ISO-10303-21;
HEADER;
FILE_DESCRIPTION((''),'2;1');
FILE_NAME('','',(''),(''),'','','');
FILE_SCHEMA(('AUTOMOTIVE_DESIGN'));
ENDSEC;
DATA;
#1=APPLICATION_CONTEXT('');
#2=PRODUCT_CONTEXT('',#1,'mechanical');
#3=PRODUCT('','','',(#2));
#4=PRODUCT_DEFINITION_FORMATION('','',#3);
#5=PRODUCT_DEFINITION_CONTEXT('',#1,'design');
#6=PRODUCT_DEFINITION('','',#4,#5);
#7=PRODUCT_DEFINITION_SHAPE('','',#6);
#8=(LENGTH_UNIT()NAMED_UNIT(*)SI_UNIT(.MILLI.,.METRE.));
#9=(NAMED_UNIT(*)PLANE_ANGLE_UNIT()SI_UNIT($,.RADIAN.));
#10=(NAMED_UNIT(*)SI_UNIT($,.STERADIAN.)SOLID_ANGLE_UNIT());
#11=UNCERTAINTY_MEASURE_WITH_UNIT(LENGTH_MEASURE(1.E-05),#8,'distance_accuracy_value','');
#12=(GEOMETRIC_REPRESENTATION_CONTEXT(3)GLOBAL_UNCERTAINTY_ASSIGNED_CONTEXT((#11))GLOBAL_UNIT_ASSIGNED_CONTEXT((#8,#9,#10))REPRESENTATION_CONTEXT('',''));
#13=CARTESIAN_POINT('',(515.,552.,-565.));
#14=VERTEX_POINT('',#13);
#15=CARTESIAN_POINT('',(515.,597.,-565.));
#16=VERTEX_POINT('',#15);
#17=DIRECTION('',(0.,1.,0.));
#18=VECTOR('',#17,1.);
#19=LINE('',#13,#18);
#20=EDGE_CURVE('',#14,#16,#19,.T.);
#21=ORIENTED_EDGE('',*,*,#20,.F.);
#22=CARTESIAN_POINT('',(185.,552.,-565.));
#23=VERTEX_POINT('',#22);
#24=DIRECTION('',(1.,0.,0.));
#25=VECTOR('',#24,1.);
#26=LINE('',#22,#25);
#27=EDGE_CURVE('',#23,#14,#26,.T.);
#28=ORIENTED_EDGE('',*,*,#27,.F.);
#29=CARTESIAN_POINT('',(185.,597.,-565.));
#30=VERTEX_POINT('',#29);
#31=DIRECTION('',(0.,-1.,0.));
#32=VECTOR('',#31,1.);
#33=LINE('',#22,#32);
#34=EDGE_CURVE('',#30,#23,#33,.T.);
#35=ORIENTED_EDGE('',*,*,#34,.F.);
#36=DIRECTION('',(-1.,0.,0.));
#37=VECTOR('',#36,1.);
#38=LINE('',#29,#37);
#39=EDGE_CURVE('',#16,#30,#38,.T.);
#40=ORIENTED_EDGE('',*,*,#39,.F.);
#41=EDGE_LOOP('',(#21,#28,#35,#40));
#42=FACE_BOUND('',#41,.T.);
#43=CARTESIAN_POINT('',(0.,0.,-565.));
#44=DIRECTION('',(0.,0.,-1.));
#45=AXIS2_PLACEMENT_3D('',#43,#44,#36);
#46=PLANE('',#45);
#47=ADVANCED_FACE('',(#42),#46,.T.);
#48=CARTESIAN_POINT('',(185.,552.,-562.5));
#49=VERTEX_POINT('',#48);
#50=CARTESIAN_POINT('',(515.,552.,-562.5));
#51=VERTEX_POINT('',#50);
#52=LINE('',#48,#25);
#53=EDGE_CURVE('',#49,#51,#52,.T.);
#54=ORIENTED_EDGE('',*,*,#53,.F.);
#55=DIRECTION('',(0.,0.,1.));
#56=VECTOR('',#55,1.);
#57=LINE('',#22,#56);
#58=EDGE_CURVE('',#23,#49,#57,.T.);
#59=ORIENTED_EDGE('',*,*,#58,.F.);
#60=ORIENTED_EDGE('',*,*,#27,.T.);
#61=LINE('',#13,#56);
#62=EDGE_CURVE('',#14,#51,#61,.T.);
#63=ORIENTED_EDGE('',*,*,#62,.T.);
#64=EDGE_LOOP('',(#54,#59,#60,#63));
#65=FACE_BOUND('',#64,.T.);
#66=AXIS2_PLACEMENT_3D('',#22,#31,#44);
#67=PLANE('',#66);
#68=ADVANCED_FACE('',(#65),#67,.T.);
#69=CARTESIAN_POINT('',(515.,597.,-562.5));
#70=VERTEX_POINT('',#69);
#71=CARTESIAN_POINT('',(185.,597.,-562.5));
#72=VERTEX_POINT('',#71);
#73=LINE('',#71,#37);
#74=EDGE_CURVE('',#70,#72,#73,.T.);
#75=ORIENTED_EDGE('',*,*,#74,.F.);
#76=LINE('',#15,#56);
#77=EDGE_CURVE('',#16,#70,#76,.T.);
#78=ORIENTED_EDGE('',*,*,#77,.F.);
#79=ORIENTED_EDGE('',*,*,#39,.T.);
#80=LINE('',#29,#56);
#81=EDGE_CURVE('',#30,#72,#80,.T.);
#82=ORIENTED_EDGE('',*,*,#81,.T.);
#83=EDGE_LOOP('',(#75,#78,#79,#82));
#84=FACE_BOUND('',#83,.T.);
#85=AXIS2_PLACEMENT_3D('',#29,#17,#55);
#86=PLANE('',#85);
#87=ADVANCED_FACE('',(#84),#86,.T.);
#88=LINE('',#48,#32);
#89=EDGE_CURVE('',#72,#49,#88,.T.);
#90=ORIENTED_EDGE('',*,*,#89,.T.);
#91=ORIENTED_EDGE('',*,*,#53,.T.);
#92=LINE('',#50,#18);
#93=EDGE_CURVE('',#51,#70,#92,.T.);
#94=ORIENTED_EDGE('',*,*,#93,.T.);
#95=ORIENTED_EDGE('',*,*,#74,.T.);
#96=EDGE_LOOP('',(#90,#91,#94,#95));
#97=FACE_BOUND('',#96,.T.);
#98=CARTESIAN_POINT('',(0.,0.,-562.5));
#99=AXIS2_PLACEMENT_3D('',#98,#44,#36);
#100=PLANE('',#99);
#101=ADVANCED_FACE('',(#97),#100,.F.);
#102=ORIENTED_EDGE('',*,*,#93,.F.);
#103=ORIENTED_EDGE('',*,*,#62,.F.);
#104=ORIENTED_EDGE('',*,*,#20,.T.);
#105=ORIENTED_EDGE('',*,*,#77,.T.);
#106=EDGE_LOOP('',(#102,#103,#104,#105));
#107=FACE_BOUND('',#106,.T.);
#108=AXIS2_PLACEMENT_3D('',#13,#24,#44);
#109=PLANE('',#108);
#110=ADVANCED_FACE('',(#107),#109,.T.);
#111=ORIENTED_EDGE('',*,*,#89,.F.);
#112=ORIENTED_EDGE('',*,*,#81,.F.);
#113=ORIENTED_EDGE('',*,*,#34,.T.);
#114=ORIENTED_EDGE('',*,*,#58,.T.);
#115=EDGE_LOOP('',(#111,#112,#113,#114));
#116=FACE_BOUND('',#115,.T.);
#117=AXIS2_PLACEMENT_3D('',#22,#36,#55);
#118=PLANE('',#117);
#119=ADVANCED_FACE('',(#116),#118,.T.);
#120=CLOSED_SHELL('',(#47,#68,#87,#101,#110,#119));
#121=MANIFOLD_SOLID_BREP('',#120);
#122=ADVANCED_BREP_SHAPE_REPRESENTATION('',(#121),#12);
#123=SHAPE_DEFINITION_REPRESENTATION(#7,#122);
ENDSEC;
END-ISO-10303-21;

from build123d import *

# Parameters (mm, degrees)
PACK_KALIP_DUVARI_ARKA_1_START = -562.5
SKETCH1_W                      = 330
SKETCH1_H                      = 45
PACK_KALIP_DUVARI_ARKA_1_DEPTH = 2.5


with BuildPart() as part:
    # Sketch1 → PACK_kalip_duvari_arka_1 (new body)
    with BuildSketch(Plane.XY.offset(PACK_KALIP_DUVARI_ARKA_1_START)):
        with Locations((350, 574.5)):
            Rectangle(SKETCH1_W, SKETCH1_H)
    extrude(amount=-PACK_KALIP_DUVARI_ARKA_1_DEPTH)


solid = part.part
